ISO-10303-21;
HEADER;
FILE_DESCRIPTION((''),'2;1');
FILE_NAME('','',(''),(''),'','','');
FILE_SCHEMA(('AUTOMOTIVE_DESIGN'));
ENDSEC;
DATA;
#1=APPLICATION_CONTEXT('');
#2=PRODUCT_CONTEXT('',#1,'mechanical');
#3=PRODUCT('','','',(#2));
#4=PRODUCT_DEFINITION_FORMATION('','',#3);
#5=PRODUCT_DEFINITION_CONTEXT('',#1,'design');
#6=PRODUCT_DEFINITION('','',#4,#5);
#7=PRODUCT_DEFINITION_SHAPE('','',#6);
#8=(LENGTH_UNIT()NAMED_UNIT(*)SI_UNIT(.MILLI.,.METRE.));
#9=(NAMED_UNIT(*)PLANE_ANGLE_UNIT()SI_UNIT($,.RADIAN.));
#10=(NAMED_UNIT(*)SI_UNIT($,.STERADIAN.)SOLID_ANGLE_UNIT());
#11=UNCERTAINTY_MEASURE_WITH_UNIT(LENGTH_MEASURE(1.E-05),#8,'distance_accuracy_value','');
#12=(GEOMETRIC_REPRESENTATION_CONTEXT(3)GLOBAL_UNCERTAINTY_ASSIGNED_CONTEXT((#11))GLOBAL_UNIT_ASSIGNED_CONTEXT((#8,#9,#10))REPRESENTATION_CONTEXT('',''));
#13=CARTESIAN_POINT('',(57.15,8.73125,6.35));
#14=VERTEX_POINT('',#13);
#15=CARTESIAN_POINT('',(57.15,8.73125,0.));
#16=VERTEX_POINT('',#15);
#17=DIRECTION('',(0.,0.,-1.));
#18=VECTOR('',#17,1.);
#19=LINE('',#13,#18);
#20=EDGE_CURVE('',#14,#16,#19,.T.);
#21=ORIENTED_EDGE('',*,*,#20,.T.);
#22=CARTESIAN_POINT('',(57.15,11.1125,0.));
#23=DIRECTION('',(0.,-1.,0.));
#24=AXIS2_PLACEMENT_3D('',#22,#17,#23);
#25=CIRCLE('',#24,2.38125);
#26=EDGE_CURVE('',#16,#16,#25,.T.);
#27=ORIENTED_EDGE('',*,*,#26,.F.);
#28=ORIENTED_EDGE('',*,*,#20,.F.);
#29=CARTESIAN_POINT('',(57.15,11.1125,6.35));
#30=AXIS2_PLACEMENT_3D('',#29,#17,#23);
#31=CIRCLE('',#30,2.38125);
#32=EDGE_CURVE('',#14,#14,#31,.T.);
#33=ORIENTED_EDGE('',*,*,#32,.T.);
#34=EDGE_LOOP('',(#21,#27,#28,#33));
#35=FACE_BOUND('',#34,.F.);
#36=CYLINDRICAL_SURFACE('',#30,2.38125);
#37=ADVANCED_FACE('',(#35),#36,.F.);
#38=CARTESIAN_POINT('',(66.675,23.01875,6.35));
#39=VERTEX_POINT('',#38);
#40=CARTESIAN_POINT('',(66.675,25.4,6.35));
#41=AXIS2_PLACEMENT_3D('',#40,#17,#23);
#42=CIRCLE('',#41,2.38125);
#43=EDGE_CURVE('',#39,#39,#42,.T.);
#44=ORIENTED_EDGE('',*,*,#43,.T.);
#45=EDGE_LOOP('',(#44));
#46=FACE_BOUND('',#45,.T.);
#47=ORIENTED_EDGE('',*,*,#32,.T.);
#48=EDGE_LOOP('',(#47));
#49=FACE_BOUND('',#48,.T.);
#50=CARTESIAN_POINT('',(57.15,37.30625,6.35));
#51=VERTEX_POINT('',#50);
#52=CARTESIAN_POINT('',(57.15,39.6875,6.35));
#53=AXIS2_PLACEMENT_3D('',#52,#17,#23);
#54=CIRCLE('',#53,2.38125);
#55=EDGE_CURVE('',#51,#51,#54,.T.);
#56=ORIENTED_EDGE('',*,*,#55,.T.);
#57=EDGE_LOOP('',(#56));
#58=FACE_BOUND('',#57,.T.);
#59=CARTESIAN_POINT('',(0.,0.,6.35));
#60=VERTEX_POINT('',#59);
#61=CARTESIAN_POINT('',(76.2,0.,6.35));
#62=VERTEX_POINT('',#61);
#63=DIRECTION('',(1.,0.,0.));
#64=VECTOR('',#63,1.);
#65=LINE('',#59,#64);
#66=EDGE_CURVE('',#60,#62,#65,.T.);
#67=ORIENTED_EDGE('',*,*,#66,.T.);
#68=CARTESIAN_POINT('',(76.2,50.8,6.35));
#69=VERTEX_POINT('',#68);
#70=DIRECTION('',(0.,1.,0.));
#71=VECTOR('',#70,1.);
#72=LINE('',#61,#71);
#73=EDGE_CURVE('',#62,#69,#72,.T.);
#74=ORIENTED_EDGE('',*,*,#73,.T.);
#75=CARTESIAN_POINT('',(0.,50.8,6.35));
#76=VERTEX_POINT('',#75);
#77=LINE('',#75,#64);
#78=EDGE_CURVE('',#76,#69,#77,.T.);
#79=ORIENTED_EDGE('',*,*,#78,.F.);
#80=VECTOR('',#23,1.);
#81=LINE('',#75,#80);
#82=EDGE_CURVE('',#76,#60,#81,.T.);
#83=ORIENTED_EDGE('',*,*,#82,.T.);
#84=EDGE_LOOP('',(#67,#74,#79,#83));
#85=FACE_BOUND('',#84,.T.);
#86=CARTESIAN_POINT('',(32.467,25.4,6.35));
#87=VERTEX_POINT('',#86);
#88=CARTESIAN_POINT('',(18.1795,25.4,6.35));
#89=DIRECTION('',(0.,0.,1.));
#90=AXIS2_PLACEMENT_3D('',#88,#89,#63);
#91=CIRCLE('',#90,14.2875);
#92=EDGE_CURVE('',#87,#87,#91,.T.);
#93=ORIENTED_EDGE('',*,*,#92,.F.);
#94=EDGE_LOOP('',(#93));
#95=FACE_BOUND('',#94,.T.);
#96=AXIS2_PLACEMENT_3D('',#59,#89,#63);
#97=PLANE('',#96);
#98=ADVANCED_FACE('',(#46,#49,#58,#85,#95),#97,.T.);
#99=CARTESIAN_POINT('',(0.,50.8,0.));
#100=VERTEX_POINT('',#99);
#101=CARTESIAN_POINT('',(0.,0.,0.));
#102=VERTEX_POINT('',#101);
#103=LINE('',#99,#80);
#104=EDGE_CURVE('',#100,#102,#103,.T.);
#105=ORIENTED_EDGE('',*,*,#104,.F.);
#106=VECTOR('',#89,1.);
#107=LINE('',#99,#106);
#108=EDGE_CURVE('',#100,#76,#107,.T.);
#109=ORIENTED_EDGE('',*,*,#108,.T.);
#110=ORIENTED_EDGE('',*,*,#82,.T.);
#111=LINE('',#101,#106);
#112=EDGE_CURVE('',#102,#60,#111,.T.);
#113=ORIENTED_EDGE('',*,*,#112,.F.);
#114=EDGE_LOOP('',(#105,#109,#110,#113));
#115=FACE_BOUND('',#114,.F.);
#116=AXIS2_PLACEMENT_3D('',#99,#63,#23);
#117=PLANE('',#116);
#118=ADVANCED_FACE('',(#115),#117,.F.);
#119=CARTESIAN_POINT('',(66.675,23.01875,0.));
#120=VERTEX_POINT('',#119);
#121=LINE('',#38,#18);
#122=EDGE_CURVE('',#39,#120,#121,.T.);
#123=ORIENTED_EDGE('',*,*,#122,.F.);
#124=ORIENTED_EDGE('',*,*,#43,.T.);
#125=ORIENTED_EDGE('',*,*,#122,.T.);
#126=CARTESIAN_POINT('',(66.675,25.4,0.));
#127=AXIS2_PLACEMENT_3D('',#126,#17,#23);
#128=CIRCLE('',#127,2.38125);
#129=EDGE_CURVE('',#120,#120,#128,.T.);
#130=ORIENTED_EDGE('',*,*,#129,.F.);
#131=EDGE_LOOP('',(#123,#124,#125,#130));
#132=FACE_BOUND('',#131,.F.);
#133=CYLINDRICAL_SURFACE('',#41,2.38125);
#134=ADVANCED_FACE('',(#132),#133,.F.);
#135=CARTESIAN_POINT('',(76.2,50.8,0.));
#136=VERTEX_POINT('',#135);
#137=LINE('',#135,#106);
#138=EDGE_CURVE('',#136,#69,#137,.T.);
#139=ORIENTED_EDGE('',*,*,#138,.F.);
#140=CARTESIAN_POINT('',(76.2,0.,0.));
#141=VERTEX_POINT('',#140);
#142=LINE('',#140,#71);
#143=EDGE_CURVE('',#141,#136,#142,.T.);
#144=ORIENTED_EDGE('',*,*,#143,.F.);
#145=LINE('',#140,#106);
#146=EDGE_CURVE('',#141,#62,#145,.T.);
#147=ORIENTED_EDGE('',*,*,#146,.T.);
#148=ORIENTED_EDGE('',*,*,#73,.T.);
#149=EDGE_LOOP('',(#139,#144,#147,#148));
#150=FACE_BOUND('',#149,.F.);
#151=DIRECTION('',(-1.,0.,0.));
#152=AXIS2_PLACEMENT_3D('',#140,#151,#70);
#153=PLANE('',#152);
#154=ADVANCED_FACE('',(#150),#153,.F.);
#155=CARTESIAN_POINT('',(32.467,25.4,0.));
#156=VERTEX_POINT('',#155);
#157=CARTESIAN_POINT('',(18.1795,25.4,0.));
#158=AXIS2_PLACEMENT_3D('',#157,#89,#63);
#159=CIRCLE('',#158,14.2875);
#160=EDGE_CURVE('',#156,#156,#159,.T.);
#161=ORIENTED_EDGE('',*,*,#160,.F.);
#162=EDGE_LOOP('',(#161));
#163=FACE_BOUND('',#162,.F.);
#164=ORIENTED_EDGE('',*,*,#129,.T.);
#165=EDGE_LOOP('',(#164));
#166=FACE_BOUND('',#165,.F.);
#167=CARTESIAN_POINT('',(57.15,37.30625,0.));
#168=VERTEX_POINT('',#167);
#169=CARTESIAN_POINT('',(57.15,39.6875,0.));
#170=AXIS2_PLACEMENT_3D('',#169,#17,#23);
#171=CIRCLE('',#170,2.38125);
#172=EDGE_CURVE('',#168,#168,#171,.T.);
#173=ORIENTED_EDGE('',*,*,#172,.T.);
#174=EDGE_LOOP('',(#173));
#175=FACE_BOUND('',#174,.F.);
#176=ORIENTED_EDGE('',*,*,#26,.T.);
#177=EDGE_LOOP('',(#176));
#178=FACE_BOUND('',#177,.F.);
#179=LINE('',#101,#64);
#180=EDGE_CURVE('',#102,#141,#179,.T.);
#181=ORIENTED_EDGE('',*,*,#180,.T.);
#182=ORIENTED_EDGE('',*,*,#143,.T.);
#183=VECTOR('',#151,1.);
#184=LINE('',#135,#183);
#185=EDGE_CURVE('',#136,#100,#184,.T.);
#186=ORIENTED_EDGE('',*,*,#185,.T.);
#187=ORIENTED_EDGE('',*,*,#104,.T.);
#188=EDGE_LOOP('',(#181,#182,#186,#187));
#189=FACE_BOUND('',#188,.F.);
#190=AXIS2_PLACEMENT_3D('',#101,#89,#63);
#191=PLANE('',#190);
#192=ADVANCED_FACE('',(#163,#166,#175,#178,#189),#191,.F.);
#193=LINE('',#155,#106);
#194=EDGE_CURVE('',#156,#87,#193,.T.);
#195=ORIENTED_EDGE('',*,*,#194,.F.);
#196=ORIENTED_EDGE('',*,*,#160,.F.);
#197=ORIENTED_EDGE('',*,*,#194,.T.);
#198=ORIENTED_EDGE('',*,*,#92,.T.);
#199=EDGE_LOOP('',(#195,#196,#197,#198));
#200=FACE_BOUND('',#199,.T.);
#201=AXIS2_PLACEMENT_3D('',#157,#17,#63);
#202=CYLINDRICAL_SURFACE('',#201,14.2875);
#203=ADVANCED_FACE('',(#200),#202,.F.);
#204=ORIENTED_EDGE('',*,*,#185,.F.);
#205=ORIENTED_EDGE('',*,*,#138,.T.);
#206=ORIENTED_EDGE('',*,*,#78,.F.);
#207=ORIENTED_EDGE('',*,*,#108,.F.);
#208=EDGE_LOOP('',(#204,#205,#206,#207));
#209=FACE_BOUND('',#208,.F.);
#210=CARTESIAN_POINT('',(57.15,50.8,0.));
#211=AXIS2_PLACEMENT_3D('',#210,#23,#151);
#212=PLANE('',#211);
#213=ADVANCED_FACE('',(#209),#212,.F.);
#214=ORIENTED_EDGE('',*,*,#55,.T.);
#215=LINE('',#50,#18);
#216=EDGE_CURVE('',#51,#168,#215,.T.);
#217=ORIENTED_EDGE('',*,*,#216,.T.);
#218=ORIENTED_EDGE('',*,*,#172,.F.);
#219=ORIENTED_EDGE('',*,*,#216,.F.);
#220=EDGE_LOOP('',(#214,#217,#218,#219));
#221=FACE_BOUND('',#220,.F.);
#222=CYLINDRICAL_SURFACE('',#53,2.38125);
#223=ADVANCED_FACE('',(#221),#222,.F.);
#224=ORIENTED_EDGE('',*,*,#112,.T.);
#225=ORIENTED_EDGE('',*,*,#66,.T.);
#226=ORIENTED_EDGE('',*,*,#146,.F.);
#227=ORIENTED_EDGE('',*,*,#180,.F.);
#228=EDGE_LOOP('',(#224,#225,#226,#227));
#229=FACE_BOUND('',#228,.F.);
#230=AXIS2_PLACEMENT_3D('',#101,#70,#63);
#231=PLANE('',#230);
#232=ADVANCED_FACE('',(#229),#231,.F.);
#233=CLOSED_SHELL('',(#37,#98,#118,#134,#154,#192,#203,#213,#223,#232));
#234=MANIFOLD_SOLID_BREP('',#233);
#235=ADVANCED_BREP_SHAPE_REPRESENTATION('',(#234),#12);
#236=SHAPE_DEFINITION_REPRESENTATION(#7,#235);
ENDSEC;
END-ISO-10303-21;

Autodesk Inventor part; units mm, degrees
ref_plane "YZ Plane" through (0, 0, 0) normal (1, 0, 0) x (0, 1, 0)
ref_plane "XZ Plane" through (0, 0, 0) normal (0, 1, 0) x (-1, 0, 0)
ref_plane "XY Plane" through (0, 0, 0) normal (0, 0, 1) x (1, 0, 0)
sketch "Sketch1" plane through (0, 0, 0) normal (0, 0, 1) x (1, 0, 0)
  line L0 (0, 0) -> (76.2, 0)
  line L1 (76.2, 0) -> (76.2, 50.8)
  line L2 (76.2, 50.8) -> (0, 50.8)
  line L3 (0, 50.8) -> (0, 0)
  circle A0 centre (18.1795, 25.4) radius 14.2875
  line L4 (76.2, 50.8) -> (57.15, 50.8)
  line L5 (57.15, 39.6875) -> (66.675, 25.4)
  line L6 (66.675, 25.4) -> (57.15, 11.1125)
  dimension "d0" = 76.2
  dimension "d1" = 50.8
  dimension "d2" = 28.575
extrude "Extrusion1" add sketch "Sketch1" along normal blind 6.35
sketch "Sketch2" plane through (0, 0, 6.35) normal (0, 0, 1) x (1, 0, 0)
  line L0 (76.2, 50.8) -> (0, 50.8) projected
  line L1 (76.2, 50.8) -> (57.15, 50.8)
  line L2 (57.15, 39.6875) -> (66.675, 25.4)
  line L3 (66.675, 25.4) -> (57.15, 11.1125)
hole "Hole1" at (66.675, 25.4, 6.35) at (57.15, 39.6875, 6.35) at (57.15, 11.1125, 6.35) direction (0, 0, -1) diameter 4.7625 end through all
equation "\"d12\" = Thickness"
equation "\"BendRadius\" = Thickness"
equation "\"BendReliefWidth\" = Thickness"
equation "\"BendReliefDepth\" = 0.5 * Thickness"
equation "\"CornerReliefSize\" = 4 * Thickness"
equation "\"MinimumRemnant\" = 2 * Thickness"
equation "\"TransitionRadius\" = BendRadius"
equation "\"JacobiRadiusSize\" = BendRadius"
equation "\"GapSize\" = Thickness"
equation "\"Thickness\" = 3.048"
properties part number "Light Bracket"
